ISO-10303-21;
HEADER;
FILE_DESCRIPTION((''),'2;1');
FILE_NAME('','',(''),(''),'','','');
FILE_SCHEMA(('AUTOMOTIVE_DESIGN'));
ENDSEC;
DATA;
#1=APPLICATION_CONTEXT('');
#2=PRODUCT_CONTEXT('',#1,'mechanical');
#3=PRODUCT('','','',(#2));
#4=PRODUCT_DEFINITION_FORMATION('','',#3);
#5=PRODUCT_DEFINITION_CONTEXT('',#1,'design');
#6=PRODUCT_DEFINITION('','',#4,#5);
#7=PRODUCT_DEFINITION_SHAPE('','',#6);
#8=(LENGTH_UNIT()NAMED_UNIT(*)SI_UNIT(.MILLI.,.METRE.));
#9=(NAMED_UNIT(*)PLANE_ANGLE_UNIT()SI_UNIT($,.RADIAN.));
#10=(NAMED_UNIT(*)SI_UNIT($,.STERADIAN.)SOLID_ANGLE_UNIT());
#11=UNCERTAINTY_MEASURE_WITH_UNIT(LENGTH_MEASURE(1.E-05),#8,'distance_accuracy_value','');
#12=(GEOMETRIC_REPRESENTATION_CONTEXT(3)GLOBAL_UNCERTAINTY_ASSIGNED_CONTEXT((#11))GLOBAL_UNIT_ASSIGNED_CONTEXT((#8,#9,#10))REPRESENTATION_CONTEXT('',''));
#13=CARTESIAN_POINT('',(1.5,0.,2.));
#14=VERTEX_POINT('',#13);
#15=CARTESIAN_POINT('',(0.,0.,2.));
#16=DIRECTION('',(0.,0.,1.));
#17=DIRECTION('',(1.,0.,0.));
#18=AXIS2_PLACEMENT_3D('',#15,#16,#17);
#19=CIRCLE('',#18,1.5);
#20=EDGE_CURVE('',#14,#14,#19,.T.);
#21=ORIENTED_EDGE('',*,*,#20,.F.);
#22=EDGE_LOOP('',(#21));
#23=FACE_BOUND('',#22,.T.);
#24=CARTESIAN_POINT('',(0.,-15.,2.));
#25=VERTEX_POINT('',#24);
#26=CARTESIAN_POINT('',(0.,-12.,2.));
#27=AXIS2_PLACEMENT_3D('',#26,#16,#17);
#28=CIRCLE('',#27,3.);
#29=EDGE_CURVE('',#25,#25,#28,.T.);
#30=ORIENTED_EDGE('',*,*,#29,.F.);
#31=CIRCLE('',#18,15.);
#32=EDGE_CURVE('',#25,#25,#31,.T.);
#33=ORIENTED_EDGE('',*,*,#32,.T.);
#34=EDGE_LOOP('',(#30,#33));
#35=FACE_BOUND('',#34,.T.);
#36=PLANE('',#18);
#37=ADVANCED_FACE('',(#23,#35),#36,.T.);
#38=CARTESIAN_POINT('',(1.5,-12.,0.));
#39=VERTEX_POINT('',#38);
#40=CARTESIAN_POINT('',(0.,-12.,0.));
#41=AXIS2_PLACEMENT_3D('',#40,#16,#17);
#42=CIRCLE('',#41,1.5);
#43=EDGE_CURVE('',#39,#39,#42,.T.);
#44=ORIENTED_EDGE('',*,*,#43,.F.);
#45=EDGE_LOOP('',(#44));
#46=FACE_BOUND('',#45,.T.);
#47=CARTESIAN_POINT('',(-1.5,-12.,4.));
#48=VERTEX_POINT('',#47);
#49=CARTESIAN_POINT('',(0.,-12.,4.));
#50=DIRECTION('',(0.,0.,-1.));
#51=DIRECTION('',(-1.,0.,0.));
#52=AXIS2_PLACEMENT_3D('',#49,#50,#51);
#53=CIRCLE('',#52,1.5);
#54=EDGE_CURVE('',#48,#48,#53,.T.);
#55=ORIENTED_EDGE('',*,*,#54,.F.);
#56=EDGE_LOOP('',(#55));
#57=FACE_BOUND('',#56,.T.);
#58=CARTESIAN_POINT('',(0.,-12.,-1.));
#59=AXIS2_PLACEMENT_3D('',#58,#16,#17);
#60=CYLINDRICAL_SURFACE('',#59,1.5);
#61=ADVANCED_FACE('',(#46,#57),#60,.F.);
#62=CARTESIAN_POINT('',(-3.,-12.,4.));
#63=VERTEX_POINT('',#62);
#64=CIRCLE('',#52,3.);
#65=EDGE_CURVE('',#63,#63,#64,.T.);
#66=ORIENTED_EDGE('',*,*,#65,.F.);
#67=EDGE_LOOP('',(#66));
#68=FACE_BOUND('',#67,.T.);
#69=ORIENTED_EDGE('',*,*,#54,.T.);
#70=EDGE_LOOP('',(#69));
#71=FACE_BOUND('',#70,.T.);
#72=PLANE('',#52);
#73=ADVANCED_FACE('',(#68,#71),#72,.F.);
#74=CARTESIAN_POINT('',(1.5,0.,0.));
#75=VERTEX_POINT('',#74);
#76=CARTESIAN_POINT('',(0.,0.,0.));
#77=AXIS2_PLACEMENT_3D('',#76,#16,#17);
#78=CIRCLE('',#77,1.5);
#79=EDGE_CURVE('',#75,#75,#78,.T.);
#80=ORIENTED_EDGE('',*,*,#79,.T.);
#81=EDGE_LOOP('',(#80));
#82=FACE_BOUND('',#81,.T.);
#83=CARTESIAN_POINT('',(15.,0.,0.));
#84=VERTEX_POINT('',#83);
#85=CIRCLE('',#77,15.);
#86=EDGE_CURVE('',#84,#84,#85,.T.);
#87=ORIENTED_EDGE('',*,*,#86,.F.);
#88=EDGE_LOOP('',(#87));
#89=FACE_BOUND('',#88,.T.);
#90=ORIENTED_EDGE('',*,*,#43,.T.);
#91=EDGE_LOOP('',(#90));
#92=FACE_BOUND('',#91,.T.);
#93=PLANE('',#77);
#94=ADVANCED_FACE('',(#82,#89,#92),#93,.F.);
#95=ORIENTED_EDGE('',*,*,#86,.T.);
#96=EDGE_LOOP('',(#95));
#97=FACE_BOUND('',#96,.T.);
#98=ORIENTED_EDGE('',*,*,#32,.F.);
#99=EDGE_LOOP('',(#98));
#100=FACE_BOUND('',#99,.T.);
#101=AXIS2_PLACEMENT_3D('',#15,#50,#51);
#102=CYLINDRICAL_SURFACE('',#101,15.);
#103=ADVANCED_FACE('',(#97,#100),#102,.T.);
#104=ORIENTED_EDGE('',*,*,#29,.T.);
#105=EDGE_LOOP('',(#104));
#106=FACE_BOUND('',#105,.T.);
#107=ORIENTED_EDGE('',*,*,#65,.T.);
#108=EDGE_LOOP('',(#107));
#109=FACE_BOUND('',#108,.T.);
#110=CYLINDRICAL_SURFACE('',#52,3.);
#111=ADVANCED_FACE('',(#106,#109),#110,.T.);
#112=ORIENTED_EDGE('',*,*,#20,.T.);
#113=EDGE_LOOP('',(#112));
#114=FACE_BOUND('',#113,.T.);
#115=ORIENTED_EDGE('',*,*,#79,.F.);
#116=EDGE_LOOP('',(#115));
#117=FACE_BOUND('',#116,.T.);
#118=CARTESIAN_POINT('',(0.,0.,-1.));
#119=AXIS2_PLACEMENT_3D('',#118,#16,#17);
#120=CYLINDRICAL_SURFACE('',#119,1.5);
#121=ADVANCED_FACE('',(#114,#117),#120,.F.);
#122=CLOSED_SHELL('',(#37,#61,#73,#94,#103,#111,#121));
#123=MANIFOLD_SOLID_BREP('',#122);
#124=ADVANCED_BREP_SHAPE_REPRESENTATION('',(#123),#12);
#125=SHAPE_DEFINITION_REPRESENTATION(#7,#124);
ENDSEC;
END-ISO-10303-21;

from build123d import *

# Parameters (mm, degrees)
ESQUISSE1_R             = 15
BOSS_EXTRU_1_DEPTH      = 2
ESQUISSE2_R             = 1.5
ENL_V_MAT_EXTRU_1_DEPTH = 3
ESQUISSE3_R             = 1.5
ENL_V_MAT_EXTRU_2_DEPTH = 3
BOSS_EXTRU_2_START      = -4
ESQUISSE4_R             = 3
ESQUISSE4_R_2           = 1.5
BOSS_EXTRU_2_DEPTH      = 4


with BuildPart() as part:
    # Esquisse1 → Boss.-Extru.1 (new body)
    with BuildSketch(Plane.XY):
        Circle(ESQUISSE1_R)
    extrude(amount=BOSS_EXTRU_1_DEPTH)

    # Esquisse2 → Enlèv. mat.-Extru.1 (cut)
    with BuildSketch(Plane.XY.offset(2)):
        Circle(ESQUISSE2_R)
    extrude(amount=-ENL_V_MAT_EXTRU_1_DEPTH, mode=Mode.SUBTRACT)

    # Esquisse3 → Enlèv. mat.-Extru.2 (cut)
    with BuildSketch(Plane.XY.offset(2)):
        with Locations((0, -12)):
            Circle(ESQUISSE3_R)
    extrude(amount=-ENL_V_MAT_EXTRU_2_DEPTH, mode=Mode.SUBTRACT)

    # Esquisse4 → Boss.-Extru.2 (add)
    with BuildSketch(Plane(origin=(0, 0, 0), x_dir=(-1, 0, 0), z_dir=(0, 0, -1)).offset(BOSS_EXTRU_2_START)):
        with Locations((0, -12)):
            Circle(ESQUISSE4_R)
        with Locations(Location((0, -12, 0), (0, 0, 180))):
            Circle(ESQUISSE4_R_2, mode=Mode.SUBTRACT)
    extrude(amount=BOSS_EXTRU_2_DEPTH)


solid = part.part
